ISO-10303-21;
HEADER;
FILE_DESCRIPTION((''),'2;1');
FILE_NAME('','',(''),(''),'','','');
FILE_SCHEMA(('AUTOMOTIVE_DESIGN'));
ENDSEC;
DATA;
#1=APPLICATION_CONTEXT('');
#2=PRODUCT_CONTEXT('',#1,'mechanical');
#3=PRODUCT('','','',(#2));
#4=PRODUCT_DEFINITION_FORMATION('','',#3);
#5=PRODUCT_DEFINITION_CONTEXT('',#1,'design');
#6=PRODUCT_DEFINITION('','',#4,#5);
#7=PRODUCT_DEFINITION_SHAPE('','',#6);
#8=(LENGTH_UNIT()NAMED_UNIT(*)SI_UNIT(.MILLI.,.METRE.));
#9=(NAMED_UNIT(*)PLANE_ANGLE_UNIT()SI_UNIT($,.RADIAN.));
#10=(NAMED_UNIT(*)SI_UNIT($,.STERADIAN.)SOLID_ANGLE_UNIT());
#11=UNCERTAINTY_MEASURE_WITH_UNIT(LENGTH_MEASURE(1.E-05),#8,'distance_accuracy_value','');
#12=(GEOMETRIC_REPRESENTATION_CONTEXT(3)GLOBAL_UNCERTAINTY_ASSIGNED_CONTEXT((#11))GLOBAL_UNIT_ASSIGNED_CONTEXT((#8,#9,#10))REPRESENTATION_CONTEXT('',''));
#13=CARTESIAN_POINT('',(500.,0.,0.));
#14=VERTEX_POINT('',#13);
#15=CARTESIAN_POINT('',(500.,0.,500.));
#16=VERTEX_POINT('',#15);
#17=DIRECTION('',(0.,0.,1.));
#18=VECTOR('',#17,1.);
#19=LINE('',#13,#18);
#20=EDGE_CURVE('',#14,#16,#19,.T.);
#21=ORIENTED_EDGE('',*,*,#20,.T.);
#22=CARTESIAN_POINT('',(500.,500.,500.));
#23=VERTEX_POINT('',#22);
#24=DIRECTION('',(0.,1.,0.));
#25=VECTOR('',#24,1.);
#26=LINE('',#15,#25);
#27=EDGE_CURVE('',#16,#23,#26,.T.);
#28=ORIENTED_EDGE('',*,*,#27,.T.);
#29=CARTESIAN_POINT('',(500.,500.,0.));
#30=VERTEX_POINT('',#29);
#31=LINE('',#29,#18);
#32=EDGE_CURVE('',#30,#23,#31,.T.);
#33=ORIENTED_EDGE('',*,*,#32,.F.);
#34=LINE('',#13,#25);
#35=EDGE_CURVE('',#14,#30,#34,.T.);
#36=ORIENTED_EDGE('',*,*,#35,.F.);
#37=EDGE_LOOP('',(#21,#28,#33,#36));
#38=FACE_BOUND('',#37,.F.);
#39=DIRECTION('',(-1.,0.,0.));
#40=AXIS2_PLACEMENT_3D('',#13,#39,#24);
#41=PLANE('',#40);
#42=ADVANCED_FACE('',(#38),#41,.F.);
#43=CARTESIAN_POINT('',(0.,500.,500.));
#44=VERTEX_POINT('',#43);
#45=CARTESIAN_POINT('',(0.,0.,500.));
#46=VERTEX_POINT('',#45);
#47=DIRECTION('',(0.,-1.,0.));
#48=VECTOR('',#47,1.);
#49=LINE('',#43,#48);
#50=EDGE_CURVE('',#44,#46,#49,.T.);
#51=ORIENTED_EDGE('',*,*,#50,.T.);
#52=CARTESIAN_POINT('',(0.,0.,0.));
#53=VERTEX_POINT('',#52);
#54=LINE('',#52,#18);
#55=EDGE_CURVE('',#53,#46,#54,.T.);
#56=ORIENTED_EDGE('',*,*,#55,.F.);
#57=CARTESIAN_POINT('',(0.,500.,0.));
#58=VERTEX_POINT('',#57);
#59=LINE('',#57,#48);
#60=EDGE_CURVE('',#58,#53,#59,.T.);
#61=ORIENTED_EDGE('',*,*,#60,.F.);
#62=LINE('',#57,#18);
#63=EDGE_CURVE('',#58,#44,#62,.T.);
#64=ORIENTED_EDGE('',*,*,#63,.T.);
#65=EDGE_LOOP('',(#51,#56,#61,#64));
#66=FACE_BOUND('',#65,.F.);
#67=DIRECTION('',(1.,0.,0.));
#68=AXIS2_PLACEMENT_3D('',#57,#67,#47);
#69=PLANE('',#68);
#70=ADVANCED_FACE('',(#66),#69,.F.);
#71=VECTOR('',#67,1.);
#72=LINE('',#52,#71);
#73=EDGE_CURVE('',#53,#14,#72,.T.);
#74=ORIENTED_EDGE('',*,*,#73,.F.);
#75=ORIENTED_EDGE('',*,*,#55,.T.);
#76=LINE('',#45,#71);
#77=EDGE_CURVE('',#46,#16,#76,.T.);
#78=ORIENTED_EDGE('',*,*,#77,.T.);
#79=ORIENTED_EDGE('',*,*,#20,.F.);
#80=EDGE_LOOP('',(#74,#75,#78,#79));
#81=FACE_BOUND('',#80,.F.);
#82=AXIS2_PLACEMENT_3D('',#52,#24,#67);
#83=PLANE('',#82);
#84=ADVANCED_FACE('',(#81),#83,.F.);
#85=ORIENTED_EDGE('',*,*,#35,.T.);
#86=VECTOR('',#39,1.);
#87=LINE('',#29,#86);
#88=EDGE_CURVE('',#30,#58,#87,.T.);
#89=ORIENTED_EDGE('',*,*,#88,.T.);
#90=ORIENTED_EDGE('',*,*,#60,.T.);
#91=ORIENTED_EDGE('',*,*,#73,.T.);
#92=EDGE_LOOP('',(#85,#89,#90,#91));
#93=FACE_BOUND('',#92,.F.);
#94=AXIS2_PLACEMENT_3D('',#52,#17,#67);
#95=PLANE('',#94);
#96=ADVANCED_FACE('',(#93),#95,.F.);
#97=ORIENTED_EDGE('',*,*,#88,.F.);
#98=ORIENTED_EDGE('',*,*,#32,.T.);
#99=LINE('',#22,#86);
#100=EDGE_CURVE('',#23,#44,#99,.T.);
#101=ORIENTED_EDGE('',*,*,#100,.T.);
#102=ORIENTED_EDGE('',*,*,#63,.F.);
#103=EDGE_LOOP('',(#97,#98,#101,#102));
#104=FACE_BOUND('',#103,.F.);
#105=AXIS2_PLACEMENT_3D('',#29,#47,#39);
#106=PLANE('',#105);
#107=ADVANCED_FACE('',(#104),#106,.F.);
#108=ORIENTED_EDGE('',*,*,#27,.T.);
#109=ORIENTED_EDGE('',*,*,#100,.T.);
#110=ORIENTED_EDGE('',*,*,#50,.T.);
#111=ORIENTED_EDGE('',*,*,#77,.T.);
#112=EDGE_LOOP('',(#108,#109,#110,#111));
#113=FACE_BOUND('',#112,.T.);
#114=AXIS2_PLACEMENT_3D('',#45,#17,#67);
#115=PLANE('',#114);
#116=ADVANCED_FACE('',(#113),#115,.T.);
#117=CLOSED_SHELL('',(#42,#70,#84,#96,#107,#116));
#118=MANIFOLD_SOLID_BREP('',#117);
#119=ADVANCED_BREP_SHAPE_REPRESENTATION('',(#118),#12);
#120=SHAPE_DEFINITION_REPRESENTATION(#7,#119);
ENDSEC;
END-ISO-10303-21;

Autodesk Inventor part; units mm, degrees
ref_plane "YZ Plane" through (0, 0, 0) normal (1, 0, 0) x (0, 1, 0)
ref_plane "XZ Plane" through (0, 0, 0) normal (0, 1, 0) x (-1, 0, 0)
ref_plane "XY Plane" through (0, 0, 0) normal (0, 0, 1) x (1, 0, 0)
sketch "Sketch4" plane through (0, 0, 0) normal (0, 0, 1) x (1, 0, 0)
  line L0 (0, 0) -> (500, 0)
  line L1 (500, 0) -> (500, 500)
  line L2 (500, 500) -> (0, 500)
  line L3 (0, 500) -> (0, 0)
  dimension "d11" = 500
  dimension "d12" = 500
extrude "Extrusion4" add sketch "Sketch4" along normal blind 500
sketch "Sketch5" plane through (0, 500, 0) normal (0, 1, 0) x (1, 0, 0)
  circle A0 centre (250, -250) radius 250
  point P0 (0, 0)
  dimension "d15" = 500
properties part number "Mass"
